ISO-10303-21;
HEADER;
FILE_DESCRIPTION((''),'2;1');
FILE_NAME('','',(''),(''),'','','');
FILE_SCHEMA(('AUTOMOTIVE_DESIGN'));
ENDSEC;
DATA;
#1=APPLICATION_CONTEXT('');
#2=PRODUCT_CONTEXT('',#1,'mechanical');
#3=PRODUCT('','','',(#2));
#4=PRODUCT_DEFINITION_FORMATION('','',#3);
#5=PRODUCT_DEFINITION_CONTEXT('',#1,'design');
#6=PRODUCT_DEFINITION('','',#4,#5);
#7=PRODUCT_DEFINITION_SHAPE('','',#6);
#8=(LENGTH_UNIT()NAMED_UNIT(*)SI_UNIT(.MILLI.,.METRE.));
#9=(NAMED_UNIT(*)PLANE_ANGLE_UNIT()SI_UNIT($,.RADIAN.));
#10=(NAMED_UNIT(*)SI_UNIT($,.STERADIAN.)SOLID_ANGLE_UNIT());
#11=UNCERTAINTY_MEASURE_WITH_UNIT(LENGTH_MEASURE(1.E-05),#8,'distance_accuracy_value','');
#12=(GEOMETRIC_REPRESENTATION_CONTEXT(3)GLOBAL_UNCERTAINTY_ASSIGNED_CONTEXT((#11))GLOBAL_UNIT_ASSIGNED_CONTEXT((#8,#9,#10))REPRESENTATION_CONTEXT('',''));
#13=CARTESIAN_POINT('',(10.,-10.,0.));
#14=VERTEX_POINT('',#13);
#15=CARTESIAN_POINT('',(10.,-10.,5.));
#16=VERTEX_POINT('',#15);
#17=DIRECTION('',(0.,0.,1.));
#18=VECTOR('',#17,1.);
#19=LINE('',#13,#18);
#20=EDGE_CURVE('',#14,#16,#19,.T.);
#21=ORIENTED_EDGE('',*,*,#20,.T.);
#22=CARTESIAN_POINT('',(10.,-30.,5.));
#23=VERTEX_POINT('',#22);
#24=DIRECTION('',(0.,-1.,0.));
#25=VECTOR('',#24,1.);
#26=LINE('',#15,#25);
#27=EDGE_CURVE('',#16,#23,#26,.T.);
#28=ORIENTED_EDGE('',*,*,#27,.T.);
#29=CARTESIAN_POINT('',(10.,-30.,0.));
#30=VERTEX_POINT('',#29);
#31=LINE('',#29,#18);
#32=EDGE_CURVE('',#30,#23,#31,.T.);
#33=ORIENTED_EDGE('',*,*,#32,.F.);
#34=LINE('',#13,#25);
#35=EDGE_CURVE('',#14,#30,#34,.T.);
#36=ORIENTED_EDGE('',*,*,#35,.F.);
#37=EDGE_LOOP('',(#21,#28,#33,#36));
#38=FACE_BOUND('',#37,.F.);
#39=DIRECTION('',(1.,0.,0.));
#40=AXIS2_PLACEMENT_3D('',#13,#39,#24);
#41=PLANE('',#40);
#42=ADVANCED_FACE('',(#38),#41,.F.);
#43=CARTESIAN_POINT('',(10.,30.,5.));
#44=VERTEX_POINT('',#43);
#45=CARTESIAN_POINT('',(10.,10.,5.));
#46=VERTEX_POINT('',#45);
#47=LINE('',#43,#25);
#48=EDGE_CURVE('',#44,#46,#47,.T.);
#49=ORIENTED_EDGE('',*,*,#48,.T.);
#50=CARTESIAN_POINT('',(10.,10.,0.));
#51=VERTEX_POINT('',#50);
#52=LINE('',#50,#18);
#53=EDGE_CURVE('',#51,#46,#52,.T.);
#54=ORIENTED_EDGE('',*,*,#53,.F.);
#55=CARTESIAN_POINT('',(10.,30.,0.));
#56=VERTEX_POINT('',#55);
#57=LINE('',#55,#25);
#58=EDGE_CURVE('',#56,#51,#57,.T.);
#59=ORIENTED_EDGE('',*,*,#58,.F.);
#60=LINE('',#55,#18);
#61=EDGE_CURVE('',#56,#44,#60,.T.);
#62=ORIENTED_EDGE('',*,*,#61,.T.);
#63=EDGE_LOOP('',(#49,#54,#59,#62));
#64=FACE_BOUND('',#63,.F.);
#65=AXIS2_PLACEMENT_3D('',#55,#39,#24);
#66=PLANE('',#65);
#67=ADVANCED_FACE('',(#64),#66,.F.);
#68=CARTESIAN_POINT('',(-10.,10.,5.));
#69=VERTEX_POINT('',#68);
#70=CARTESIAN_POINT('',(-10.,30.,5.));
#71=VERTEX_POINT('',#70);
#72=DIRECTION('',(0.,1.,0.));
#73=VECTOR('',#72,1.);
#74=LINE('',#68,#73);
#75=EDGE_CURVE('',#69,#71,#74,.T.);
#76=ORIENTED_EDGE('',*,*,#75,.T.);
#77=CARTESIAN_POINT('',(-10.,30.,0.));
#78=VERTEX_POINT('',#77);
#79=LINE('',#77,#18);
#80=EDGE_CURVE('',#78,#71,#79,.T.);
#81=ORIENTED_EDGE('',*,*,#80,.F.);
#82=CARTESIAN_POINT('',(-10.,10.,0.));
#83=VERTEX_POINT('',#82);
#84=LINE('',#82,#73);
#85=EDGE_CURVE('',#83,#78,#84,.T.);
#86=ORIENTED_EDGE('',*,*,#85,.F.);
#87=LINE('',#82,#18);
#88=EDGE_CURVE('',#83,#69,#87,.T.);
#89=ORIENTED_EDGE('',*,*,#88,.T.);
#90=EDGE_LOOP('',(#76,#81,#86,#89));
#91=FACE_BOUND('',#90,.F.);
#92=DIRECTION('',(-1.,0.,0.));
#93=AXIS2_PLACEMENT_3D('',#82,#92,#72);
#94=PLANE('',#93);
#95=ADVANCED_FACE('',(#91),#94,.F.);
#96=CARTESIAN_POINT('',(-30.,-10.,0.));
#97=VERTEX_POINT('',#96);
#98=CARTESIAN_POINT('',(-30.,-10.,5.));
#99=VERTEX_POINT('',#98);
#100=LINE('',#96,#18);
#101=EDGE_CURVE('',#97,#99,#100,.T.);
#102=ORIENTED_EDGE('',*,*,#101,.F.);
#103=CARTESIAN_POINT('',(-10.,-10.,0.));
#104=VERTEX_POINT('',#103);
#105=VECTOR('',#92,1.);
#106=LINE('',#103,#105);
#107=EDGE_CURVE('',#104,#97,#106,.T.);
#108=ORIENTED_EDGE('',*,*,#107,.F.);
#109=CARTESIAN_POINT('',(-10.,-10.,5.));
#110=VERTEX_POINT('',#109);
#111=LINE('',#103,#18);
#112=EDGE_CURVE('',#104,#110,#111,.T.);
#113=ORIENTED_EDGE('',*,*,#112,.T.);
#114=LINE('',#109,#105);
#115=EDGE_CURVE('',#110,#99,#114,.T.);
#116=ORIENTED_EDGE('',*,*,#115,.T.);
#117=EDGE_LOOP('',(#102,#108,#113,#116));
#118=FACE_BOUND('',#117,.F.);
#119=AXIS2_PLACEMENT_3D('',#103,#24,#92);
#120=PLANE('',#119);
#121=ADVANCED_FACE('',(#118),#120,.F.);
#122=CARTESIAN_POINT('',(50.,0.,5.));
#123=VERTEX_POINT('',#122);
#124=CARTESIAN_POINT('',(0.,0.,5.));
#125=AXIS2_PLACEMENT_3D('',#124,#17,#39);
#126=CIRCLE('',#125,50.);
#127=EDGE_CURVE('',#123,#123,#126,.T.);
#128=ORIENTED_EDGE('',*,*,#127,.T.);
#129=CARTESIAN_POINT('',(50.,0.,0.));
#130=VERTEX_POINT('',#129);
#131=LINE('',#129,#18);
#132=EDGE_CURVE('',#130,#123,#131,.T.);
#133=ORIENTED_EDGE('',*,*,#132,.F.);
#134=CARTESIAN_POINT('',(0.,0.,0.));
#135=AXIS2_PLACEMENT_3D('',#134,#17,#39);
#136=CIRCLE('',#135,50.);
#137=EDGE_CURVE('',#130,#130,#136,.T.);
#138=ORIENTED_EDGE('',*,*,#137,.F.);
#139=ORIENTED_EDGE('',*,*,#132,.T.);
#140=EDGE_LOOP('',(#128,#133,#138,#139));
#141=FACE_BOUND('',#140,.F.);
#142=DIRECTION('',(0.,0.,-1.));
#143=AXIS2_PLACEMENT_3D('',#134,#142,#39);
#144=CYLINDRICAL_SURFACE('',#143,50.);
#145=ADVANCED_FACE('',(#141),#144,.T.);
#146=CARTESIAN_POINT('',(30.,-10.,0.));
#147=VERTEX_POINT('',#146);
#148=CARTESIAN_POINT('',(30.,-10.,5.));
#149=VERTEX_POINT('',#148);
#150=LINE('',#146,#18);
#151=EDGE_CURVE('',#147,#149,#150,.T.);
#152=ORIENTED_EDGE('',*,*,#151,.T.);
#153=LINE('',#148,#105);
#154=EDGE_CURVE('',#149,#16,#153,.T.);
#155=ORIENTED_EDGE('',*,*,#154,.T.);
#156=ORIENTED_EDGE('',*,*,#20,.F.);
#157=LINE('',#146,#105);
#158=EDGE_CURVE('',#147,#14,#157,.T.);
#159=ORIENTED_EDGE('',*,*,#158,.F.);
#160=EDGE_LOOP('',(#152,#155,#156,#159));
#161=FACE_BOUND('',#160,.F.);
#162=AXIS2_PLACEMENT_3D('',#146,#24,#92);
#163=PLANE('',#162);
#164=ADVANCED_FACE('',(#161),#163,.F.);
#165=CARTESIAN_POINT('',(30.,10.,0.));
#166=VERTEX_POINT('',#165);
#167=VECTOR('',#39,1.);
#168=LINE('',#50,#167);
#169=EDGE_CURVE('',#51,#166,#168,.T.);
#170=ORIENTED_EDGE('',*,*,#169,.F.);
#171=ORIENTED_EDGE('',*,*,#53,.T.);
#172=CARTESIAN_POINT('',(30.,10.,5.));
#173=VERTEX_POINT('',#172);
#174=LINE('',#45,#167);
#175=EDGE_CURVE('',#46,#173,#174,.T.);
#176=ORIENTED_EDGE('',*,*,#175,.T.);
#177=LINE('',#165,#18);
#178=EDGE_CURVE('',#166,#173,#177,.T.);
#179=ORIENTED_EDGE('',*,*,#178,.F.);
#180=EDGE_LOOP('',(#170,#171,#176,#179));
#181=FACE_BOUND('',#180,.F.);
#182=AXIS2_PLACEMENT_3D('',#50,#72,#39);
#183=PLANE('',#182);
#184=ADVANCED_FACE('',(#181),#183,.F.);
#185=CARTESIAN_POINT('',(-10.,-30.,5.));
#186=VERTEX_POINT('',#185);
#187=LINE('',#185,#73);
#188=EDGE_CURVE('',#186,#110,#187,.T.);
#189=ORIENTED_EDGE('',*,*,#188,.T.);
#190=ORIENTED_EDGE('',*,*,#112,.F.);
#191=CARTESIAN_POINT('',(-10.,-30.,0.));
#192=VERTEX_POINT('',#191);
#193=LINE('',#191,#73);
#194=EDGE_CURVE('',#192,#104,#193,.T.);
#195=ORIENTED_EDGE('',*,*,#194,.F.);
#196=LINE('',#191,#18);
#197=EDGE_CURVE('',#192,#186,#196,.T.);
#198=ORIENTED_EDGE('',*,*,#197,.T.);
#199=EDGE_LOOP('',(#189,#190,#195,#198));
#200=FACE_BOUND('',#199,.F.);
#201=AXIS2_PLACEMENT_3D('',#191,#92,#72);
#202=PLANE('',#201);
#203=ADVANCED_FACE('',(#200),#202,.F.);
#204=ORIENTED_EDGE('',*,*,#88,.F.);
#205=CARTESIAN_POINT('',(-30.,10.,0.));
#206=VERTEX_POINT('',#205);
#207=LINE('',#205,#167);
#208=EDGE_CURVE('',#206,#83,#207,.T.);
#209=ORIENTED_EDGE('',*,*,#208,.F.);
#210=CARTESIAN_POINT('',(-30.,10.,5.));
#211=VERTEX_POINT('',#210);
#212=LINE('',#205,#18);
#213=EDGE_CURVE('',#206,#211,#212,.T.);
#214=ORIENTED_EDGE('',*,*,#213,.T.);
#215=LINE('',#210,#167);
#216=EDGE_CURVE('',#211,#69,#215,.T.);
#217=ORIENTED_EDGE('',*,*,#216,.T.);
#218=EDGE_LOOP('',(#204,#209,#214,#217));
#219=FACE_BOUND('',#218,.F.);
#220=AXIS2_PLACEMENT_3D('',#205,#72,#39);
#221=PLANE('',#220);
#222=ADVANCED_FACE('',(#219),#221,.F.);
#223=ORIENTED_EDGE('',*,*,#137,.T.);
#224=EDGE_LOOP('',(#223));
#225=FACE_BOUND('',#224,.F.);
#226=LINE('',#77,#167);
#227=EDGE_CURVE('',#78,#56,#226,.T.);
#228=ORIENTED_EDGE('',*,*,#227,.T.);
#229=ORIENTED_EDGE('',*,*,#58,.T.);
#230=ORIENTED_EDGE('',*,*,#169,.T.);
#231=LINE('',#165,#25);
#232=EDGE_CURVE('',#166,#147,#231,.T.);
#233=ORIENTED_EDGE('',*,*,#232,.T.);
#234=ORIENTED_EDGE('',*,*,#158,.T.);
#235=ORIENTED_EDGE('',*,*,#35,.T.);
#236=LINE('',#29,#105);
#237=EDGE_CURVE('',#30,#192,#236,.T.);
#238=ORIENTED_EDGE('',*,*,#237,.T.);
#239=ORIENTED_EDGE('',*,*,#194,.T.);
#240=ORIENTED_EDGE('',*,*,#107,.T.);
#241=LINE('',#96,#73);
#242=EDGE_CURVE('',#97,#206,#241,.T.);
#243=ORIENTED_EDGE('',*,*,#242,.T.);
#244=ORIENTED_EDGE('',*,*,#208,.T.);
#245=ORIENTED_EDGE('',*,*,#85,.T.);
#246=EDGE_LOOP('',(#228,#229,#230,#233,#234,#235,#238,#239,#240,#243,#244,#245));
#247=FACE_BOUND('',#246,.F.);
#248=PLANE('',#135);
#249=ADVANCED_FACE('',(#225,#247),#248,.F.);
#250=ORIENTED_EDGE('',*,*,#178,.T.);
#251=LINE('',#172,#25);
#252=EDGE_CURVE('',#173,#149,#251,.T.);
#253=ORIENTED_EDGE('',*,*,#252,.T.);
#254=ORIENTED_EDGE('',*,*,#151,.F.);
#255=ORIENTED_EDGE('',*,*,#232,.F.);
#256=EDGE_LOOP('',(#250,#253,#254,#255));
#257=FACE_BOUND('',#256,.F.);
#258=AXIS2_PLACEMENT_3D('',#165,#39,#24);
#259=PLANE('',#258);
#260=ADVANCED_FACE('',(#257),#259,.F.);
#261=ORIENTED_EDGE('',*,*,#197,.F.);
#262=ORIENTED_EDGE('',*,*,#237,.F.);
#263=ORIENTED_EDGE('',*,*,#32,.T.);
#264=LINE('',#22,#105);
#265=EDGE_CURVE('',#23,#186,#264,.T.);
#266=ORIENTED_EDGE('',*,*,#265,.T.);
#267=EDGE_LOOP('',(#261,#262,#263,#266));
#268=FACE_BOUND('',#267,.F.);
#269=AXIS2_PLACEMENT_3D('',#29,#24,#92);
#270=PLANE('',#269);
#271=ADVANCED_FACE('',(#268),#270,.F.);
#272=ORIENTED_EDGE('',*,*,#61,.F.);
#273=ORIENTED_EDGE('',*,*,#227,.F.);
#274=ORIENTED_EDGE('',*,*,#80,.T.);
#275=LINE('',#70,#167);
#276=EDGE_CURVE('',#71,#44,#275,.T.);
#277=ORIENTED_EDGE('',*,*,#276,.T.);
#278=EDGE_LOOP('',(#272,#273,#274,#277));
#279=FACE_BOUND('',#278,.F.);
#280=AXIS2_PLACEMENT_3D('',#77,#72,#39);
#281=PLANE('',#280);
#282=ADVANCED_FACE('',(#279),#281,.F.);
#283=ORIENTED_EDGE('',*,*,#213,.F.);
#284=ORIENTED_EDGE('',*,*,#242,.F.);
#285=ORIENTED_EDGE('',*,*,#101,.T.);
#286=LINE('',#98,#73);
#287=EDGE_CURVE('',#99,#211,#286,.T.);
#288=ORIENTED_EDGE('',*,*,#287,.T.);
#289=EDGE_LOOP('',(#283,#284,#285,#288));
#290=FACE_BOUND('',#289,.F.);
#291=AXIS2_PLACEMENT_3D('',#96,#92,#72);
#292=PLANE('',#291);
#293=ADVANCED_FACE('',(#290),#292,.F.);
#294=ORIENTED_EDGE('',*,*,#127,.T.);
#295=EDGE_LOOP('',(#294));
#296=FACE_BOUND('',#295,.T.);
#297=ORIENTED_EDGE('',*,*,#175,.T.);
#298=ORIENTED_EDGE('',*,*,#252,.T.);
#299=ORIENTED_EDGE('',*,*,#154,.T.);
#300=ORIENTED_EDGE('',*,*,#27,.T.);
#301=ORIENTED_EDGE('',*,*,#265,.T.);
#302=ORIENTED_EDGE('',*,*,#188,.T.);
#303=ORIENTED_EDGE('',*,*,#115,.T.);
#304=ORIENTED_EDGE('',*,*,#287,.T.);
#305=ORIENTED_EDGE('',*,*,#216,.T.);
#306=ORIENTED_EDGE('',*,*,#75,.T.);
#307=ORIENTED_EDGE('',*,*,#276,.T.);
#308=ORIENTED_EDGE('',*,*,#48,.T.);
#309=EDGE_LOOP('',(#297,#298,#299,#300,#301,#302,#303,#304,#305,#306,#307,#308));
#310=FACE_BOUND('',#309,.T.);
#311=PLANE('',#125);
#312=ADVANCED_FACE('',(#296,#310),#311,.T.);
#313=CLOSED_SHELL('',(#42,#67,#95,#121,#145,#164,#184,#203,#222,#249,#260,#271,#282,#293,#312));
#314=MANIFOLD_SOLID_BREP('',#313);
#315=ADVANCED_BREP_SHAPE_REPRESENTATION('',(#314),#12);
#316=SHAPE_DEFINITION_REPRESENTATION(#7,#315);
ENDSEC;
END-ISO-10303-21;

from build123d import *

# Parameters (mm, degrees)
F0_R     = 50
F1_DEPTH = 5


with BuildPart() as f1:
    # F0 (on Top) → F1 (new body)
    with BuildSketch(Plane.XY):
        Circle(F0_R)
        Polygon((-10, 30), (0, 30), (10, 30), (10, 10), (30, 10), (30, 0), (30, -10), (10, -10), (10, -30), (0, -30), (-10, -30), (-10, -10), (-30, -10), (-30, 0), (-30, 10), (-10, 10), align=None, mode=Mode.SUBTRACT)
    extrude(amount=F1_DEPTH)


solid = f1.part
